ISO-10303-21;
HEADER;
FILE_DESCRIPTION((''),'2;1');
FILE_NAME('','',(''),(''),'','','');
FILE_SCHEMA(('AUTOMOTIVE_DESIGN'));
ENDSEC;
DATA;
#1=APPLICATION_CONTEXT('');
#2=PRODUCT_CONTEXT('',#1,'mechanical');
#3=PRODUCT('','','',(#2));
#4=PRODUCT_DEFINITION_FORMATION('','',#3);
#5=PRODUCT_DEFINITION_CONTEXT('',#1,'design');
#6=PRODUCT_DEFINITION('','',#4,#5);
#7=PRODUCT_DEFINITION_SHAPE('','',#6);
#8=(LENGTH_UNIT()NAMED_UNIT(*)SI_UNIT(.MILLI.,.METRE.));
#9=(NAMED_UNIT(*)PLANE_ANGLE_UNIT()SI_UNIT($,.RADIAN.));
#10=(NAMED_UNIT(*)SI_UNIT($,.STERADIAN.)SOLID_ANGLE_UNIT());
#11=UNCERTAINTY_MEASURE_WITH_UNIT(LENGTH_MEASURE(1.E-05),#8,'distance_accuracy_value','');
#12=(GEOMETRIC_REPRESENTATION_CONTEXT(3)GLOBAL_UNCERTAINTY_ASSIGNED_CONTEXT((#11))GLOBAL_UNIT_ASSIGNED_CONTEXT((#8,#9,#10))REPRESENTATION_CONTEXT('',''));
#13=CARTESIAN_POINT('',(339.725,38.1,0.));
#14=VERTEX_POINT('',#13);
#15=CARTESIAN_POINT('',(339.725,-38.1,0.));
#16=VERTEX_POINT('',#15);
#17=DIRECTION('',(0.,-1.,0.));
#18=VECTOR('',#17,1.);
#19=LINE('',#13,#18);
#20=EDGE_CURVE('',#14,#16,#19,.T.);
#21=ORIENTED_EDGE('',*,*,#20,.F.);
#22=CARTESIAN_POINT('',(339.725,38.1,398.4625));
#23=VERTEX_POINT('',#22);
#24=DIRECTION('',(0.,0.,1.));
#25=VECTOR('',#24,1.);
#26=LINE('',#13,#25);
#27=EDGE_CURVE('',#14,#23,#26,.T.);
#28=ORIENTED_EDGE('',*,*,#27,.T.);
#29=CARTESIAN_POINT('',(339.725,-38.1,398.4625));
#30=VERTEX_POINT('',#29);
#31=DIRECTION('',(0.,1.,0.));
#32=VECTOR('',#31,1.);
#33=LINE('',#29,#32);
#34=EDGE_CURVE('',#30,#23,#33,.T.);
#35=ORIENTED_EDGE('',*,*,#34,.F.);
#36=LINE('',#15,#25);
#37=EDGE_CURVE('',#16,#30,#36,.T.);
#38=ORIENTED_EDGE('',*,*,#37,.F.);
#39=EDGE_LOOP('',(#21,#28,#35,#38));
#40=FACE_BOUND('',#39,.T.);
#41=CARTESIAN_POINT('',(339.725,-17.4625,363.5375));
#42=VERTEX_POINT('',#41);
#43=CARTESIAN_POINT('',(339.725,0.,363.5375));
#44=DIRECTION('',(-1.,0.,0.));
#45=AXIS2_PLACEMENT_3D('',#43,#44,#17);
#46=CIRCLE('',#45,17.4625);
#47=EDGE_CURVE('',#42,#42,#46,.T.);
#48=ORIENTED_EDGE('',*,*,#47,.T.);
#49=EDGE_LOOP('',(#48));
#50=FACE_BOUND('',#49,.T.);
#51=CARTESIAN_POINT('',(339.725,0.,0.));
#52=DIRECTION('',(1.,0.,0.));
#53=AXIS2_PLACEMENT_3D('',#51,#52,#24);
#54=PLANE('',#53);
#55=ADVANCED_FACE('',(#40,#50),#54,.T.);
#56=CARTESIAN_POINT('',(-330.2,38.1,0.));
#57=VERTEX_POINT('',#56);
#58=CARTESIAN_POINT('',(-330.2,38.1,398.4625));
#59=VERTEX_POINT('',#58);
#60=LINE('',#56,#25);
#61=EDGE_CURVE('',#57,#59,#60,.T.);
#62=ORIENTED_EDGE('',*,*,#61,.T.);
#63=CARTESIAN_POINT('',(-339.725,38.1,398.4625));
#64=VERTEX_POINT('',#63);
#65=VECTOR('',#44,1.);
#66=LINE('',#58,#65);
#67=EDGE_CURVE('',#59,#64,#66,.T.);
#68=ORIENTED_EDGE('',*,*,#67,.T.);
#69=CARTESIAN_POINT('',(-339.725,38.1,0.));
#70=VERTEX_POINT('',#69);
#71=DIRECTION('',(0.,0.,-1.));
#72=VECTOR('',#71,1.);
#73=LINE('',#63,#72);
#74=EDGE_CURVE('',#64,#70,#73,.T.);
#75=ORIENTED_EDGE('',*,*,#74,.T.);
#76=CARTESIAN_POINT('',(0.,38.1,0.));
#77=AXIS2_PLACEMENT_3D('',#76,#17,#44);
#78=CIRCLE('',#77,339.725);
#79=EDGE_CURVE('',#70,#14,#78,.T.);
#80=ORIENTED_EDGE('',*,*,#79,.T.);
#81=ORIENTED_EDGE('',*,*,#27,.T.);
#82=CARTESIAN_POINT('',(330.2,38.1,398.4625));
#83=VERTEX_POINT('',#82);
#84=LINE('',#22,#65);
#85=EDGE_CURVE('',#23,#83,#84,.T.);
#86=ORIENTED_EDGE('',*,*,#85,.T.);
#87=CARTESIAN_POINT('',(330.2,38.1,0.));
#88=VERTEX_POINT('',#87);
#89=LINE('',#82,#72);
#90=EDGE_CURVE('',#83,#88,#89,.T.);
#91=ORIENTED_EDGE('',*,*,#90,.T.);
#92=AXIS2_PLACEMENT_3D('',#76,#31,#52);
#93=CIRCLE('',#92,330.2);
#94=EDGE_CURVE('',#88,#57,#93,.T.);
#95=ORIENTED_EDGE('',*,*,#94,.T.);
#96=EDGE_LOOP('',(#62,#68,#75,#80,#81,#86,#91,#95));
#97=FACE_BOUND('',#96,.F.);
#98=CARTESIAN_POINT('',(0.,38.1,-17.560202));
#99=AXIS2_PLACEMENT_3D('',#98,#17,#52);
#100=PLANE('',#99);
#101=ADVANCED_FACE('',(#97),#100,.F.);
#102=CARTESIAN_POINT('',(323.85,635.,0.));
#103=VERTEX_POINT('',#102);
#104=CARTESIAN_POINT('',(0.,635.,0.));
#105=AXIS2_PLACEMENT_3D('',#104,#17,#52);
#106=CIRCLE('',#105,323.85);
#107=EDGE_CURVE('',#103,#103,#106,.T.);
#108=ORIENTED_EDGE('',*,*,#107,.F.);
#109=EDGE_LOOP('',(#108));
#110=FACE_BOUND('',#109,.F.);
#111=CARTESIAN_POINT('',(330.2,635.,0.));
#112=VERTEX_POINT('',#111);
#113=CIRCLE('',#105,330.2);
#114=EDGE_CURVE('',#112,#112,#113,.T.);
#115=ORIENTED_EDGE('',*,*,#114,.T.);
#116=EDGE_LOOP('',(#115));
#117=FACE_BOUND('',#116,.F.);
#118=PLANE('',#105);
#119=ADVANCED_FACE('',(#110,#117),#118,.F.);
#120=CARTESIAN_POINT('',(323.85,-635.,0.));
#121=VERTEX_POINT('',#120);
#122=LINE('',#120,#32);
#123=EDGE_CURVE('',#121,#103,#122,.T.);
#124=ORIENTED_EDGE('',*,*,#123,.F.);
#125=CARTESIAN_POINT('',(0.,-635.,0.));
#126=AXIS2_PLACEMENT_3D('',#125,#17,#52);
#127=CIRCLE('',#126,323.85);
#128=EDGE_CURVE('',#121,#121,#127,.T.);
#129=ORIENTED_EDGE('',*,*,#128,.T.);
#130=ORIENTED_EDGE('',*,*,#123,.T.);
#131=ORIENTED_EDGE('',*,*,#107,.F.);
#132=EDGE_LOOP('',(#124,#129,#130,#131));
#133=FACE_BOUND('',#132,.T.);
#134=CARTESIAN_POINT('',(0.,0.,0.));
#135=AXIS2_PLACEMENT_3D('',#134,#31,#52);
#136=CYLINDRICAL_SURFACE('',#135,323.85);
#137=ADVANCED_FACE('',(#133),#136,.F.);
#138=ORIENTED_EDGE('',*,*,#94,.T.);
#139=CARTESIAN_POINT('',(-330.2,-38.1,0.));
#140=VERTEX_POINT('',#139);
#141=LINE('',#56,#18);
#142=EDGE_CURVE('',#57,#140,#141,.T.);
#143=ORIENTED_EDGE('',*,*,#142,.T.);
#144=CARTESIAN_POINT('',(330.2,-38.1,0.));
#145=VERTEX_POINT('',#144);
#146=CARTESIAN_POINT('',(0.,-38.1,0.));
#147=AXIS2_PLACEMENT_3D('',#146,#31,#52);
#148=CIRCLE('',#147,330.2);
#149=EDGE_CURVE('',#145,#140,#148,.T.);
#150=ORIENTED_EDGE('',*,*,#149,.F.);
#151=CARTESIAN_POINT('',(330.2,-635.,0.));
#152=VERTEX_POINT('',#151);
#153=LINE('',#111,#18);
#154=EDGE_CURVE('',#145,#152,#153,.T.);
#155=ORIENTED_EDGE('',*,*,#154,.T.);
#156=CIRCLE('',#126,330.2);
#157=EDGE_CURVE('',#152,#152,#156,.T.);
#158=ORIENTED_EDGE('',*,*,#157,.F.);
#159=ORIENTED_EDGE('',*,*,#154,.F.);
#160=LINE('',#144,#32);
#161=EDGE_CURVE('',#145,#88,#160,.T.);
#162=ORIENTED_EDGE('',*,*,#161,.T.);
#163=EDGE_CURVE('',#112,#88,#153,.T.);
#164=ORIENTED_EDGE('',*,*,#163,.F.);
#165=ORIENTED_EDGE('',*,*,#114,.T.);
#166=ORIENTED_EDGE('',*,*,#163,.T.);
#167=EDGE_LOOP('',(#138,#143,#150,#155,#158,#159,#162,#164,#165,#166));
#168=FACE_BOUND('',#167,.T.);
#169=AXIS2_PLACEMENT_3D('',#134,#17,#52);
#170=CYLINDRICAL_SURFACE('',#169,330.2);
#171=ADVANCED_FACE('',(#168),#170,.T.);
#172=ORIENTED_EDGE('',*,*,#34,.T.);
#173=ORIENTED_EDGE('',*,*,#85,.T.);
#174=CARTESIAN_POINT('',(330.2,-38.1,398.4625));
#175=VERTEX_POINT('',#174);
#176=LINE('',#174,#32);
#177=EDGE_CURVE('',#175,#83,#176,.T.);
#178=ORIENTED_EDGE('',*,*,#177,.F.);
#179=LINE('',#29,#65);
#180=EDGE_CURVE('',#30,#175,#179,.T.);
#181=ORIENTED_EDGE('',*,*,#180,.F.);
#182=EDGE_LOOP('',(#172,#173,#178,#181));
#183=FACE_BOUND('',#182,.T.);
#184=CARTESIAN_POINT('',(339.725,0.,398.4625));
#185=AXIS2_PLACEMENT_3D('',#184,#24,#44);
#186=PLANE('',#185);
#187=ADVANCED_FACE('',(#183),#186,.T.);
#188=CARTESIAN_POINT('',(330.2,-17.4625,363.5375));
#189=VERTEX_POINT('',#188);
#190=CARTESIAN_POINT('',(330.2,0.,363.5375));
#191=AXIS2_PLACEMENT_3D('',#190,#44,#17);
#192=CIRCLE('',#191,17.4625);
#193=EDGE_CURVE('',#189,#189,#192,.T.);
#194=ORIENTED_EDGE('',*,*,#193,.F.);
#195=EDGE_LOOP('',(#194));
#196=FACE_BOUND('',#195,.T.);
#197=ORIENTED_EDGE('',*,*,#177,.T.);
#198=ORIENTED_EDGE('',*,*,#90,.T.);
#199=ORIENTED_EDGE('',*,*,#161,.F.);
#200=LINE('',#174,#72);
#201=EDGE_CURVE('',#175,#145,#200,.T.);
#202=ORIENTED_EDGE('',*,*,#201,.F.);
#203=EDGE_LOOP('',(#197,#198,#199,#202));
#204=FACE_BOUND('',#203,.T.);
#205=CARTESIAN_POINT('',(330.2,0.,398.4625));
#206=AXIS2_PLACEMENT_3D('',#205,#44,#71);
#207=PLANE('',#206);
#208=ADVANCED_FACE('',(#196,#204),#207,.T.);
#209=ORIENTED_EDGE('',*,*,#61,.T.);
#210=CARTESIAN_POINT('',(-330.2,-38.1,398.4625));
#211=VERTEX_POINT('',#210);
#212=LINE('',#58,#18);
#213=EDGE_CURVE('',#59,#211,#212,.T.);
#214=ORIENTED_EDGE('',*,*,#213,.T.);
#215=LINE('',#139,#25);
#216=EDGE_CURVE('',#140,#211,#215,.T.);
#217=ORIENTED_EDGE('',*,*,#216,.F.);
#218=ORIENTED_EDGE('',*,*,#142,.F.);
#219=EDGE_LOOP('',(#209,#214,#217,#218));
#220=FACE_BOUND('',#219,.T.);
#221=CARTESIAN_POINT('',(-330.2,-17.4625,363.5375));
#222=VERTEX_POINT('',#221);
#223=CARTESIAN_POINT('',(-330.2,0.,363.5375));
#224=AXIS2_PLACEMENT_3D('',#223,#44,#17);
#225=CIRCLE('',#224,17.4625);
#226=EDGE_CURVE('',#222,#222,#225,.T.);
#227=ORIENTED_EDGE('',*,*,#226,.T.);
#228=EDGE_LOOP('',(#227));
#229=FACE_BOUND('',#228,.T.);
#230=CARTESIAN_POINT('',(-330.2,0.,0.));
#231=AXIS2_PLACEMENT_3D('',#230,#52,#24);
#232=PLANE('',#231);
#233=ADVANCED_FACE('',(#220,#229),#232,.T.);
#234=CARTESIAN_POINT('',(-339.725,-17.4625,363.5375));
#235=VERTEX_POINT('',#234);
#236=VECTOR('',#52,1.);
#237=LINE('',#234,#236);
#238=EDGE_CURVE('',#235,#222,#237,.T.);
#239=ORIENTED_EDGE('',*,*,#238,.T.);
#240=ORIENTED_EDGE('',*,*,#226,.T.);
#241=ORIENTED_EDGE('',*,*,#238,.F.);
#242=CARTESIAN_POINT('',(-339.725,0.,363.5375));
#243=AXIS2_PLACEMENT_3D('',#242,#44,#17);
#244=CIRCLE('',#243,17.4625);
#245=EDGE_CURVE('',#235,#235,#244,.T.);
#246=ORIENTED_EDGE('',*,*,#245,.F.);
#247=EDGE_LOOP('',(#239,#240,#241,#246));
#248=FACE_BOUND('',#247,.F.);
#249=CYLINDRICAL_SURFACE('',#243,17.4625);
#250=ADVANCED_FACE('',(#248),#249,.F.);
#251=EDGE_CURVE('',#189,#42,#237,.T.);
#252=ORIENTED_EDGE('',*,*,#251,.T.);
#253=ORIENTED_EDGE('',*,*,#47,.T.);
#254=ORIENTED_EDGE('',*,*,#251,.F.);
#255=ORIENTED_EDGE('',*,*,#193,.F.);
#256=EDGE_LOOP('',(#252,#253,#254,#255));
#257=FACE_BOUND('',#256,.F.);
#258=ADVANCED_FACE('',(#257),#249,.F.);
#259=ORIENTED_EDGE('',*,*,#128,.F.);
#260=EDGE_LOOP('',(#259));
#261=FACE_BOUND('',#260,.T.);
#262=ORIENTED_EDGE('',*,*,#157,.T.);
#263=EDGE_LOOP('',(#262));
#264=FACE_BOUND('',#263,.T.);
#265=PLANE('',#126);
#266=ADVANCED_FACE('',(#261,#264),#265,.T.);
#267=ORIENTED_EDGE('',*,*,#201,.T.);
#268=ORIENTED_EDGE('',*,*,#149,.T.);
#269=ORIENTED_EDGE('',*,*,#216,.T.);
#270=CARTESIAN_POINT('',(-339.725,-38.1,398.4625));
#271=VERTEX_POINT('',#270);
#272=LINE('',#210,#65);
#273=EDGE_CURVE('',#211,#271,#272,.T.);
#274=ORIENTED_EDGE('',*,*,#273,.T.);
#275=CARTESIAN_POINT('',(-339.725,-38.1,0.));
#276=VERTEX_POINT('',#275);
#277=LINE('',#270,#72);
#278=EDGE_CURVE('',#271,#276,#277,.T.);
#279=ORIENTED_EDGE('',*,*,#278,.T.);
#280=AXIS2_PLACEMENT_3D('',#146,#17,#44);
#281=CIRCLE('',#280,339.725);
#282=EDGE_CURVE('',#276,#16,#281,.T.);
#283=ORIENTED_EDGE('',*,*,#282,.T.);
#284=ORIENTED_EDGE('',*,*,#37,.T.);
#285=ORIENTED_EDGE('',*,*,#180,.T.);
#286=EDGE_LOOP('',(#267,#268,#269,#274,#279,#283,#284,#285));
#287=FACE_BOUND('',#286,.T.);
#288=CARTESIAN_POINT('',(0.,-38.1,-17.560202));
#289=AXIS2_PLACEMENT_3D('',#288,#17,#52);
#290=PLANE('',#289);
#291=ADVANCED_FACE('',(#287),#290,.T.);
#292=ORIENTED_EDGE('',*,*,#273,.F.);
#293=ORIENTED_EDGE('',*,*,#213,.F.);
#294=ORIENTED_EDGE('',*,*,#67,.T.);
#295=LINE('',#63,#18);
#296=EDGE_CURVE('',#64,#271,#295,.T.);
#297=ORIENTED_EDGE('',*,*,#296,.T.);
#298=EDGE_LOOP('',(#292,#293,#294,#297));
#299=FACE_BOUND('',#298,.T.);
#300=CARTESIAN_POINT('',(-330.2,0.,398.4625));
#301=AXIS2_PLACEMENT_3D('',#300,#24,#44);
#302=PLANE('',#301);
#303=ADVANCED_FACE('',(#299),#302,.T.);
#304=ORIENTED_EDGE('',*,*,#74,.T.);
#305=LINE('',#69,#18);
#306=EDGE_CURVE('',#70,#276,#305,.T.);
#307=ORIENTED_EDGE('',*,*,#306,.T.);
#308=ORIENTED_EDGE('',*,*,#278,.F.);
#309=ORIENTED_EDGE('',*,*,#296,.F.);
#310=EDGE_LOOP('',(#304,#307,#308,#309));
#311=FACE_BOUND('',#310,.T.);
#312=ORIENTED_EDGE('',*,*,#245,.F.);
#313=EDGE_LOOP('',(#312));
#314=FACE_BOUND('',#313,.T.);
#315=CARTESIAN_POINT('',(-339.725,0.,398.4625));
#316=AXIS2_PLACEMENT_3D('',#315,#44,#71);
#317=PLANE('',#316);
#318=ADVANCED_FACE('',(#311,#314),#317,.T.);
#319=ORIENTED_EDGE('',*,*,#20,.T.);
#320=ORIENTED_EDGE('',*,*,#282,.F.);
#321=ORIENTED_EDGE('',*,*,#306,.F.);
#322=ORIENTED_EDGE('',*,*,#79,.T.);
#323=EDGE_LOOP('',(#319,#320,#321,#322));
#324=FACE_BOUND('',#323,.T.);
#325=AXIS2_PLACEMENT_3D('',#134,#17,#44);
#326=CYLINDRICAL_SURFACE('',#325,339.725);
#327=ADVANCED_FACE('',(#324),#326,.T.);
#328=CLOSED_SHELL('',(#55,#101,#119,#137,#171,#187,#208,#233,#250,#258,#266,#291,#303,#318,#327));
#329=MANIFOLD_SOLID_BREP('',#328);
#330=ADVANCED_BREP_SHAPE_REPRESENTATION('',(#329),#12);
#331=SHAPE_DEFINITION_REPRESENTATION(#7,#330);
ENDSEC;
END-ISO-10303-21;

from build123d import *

# Parameters (mm, degrees)
F1_DEPTH = 38.1
F2_R     = 17.4625
F3_DEPTH = 679.451
F4_R     = 330.2
F4_R_2   = 323.85
F5_DEPTH = 635


with BuildPart() as f1:
    # F0 (on Front) → F1 (new body, symmetric)
    with BuildSketch(Plane.XZ):
        with BuildLine():
            ThreePointArc((330.2, 0), (0, -330.2), (-330.2, 0))
            Line((-330.2, 0), (-330.2, 398.4625))
            Line((-330.2, 398.4625), (-339.725, 398.4625))
            Line((-339.725, 398.4625), (-339.725, 0))
            ThreePointArc((-339.725, 0), (0, -339.725), (339.725, 0))
            Line((339.725, 0), (339.725, 398.4625))
            Line((339.725, 398.4625), (330.2, 398.4625))
            Line((330.2, 398.4625), (330.2, 0))
        make_face()
    extrude(amount=F1_DEPTH, both=True)

    # F2 (on face) → F3 (cut, through all)
    with BuildSketch(Plane(origin=(-339.725, 0, 0), x_dir=(0, -1, 0), z_dir=(-1, 0, 0))):
        with Locations((0, 363.5375)):
            Circle(F2_R)
    extrude(amount=-F3_DEPTH, mode=Mode.SUBTRACT)

    # F4 (on Front) → F5 (join, symmetric)
    with BuildSketch(Plane.XZ):
        Circle(F4_R)
        Circle(F4_R_2, mode=Mode.SUBTRACT)
    extrude(amount=F5_DEPTH, both=True)


solid = f1.part
